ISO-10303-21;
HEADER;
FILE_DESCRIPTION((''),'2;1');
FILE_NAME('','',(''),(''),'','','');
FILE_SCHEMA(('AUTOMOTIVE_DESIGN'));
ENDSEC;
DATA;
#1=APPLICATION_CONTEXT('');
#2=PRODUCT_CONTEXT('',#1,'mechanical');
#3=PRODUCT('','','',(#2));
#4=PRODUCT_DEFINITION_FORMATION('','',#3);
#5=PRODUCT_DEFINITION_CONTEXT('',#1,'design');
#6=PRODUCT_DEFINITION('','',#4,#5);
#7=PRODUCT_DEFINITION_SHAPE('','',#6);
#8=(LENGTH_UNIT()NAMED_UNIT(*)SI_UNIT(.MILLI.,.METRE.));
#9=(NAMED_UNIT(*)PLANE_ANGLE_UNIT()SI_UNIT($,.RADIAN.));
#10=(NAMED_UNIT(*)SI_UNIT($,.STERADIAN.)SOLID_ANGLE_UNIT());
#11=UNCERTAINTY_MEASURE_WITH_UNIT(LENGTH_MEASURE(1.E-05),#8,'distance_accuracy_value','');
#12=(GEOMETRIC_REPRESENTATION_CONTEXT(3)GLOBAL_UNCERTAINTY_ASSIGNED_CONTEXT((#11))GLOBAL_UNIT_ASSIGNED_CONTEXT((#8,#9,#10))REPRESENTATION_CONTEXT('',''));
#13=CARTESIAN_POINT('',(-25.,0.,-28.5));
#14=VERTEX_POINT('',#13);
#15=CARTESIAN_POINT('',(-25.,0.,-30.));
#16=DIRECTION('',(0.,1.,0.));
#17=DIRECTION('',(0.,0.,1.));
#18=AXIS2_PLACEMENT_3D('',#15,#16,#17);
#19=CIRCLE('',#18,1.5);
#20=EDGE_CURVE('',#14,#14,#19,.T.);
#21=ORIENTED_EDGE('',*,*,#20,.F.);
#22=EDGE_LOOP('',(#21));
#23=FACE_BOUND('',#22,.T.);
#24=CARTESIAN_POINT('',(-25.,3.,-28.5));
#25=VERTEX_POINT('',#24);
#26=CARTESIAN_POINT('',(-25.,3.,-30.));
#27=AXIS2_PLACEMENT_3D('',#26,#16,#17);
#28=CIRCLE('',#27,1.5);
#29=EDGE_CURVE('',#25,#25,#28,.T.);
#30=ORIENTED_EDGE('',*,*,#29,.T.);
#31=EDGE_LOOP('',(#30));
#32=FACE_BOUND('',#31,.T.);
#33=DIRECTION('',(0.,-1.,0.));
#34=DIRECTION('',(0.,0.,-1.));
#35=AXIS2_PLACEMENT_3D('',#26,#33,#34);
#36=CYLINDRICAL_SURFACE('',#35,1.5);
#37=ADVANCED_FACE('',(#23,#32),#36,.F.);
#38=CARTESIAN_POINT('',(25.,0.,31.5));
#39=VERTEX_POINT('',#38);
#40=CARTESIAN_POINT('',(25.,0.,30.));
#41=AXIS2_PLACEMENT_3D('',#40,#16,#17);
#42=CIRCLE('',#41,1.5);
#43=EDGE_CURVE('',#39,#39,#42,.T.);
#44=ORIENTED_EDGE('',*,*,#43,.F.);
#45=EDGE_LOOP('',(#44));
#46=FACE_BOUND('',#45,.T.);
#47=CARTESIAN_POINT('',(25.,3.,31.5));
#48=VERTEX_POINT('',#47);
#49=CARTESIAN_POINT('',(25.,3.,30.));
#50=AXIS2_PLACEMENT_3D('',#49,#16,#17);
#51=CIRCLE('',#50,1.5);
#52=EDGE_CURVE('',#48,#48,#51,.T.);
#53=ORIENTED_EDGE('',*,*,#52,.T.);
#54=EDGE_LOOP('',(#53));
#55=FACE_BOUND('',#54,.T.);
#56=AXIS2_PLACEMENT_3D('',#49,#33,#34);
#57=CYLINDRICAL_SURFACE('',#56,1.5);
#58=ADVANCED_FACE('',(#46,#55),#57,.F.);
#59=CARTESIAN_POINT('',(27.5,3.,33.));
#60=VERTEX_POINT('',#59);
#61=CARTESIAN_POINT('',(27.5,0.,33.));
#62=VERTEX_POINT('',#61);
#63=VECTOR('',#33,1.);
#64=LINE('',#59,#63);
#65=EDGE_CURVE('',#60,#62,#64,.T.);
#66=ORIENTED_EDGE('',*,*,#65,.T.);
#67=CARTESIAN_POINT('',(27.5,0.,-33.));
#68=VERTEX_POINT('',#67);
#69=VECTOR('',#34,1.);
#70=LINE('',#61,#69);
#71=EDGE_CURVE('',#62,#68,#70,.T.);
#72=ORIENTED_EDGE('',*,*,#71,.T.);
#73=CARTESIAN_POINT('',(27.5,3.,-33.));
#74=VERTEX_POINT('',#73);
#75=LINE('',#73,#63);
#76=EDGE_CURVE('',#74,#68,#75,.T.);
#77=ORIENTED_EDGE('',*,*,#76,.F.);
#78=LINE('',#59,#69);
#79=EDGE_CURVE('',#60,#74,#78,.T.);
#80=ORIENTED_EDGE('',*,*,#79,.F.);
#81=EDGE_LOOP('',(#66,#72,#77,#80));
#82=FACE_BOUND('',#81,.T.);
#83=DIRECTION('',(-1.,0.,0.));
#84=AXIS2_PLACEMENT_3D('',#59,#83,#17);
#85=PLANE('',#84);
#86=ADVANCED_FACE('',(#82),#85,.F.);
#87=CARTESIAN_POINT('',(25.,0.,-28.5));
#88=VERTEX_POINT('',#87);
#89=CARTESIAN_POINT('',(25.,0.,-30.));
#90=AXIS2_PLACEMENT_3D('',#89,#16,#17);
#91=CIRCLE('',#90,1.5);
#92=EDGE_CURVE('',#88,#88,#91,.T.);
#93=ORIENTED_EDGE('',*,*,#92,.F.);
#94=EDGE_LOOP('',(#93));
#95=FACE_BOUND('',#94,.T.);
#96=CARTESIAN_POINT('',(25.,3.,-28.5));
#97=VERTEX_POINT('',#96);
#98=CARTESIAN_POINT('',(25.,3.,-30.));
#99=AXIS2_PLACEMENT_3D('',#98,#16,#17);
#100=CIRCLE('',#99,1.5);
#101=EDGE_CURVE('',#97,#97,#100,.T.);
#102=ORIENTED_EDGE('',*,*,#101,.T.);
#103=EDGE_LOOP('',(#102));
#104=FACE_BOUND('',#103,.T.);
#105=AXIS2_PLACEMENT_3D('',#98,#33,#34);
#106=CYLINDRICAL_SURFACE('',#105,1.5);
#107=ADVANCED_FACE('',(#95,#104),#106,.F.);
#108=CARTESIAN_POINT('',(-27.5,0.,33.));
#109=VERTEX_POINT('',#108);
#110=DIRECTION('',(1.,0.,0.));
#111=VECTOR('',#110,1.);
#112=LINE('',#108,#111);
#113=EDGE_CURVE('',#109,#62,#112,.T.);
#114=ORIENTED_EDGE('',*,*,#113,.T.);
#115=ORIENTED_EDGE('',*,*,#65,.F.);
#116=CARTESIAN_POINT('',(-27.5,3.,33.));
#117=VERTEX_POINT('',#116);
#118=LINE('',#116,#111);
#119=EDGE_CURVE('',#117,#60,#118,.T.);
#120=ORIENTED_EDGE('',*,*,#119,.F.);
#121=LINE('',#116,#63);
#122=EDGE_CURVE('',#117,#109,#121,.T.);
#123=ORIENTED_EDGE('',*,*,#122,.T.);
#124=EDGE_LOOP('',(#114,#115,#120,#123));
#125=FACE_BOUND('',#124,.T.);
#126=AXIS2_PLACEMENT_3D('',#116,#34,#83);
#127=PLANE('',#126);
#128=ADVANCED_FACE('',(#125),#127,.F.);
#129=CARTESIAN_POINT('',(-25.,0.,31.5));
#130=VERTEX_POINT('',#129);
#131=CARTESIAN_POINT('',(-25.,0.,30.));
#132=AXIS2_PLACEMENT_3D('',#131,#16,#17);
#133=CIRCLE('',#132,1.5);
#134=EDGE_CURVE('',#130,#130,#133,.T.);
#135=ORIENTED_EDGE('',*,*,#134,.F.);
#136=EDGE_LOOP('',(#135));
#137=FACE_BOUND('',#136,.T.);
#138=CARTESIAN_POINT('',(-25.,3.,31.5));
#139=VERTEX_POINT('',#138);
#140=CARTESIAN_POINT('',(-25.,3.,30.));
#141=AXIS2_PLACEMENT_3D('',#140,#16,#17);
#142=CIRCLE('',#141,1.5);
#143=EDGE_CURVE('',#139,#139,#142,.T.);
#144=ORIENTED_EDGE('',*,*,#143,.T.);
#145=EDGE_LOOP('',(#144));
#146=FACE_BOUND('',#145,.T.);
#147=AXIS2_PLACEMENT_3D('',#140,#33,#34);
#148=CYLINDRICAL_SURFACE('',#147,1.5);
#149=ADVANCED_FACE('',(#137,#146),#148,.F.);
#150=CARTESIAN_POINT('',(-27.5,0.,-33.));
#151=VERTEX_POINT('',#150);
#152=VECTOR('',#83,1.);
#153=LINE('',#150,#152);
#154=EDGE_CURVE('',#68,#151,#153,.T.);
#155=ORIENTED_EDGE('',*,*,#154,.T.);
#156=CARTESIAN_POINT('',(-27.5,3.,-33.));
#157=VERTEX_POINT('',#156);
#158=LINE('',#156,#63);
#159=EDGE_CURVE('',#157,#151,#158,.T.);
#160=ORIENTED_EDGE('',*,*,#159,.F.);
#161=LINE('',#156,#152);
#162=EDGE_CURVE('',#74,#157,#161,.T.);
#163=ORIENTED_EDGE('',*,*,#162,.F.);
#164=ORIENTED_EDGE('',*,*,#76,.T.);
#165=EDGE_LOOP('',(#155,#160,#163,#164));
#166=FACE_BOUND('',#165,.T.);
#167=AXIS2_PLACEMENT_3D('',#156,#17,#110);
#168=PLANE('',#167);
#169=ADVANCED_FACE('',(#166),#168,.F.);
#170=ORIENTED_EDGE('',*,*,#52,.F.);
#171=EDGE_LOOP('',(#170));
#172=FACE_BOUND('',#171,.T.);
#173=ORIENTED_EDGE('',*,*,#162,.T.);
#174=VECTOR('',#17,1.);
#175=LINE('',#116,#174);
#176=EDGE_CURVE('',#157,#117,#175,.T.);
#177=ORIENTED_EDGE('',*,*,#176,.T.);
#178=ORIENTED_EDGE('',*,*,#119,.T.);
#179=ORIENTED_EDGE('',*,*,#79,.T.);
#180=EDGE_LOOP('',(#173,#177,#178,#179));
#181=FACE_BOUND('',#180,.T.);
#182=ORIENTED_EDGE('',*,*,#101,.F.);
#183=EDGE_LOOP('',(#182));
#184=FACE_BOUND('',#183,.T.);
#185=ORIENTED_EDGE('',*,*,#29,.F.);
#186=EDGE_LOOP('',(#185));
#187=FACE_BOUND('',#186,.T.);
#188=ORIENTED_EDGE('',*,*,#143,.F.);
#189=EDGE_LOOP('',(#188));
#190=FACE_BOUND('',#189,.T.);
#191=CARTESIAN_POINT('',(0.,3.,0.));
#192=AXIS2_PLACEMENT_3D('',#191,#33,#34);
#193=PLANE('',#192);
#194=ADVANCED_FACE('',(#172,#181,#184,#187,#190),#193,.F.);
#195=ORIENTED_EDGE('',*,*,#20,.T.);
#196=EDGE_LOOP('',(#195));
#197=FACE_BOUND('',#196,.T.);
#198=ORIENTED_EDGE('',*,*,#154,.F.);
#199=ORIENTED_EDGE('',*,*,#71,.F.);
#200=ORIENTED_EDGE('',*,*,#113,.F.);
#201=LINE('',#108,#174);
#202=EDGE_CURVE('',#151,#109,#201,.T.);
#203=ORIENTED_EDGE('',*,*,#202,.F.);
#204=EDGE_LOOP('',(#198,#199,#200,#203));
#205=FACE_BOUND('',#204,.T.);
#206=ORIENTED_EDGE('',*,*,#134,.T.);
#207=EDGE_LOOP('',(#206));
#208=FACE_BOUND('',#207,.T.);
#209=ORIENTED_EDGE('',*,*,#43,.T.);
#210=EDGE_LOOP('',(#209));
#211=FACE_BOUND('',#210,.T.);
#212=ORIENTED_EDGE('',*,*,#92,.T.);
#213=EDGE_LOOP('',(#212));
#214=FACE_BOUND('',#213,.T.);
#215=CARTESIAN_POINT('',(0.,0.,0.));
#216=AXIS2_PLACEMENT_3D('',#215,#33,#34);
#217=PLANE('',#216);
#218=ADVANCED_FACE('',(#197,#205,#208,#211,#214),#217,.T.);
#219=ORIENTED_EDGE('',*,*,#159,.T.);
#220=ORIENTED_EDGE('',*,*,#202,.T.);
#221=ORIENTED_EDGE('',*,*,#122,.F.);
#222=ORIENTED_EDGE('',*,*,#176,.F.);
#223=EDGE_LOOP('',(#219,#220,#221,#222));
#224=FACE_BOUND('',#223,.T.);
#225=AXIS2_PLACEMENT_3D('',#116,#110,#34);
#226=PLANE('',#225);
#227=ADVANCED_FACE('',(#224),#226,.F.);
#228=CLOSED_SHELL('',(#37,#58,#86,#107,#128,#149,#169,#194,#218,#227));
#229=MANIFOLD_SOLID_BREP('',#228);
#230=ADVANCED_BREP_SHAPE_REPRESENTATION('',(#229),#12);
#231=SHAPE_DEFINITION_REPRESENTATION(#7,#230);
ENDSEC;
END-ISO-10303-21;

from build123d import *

# Parameters (mm, degrees)
ESQUISSE1_W        = 55
ESQUISSE1_H        = 66
ESQUISSE1_R        = 1.5
BOSS_EXTRU_1_DEPTH = 3


with BuildPart() as part:
    # Esquisse1 → Boss.-Extru.1 (new body)
    with BuildSketch(Plane(origin=(0, 0, 0), x_dir=(1, 0, 0), z_dir=(0, 1, 0))):
        Rectangle(ESQUISSE1_W, ESQUISSE1_H)
        with Locations(Location((-25, 30, 0), (0, 0, 270))):
            Circle(ESQUISSE1_R, mode=Mode.SUBTRACT)
        with Locations(Location((25, 30, 0), (0, 0, 270))):
            Circle(ESQUISSE1_R, mode=Mode.SUBTRACT)
        with Locations(Location((25, -30, 0), (0, 0, 270))):
            Circle(ESQUISSE1_R, mode=Mode.SUBTRACT)
        with Locations(Location((-25, -30, 0), (0, 0, 270))):
            Circle(ESQUISSE1_R, mode=Mode.SUBTRACT)
    extrude(amount=BOSS_EXTRU_1_DEPTH)


solid = part.part
